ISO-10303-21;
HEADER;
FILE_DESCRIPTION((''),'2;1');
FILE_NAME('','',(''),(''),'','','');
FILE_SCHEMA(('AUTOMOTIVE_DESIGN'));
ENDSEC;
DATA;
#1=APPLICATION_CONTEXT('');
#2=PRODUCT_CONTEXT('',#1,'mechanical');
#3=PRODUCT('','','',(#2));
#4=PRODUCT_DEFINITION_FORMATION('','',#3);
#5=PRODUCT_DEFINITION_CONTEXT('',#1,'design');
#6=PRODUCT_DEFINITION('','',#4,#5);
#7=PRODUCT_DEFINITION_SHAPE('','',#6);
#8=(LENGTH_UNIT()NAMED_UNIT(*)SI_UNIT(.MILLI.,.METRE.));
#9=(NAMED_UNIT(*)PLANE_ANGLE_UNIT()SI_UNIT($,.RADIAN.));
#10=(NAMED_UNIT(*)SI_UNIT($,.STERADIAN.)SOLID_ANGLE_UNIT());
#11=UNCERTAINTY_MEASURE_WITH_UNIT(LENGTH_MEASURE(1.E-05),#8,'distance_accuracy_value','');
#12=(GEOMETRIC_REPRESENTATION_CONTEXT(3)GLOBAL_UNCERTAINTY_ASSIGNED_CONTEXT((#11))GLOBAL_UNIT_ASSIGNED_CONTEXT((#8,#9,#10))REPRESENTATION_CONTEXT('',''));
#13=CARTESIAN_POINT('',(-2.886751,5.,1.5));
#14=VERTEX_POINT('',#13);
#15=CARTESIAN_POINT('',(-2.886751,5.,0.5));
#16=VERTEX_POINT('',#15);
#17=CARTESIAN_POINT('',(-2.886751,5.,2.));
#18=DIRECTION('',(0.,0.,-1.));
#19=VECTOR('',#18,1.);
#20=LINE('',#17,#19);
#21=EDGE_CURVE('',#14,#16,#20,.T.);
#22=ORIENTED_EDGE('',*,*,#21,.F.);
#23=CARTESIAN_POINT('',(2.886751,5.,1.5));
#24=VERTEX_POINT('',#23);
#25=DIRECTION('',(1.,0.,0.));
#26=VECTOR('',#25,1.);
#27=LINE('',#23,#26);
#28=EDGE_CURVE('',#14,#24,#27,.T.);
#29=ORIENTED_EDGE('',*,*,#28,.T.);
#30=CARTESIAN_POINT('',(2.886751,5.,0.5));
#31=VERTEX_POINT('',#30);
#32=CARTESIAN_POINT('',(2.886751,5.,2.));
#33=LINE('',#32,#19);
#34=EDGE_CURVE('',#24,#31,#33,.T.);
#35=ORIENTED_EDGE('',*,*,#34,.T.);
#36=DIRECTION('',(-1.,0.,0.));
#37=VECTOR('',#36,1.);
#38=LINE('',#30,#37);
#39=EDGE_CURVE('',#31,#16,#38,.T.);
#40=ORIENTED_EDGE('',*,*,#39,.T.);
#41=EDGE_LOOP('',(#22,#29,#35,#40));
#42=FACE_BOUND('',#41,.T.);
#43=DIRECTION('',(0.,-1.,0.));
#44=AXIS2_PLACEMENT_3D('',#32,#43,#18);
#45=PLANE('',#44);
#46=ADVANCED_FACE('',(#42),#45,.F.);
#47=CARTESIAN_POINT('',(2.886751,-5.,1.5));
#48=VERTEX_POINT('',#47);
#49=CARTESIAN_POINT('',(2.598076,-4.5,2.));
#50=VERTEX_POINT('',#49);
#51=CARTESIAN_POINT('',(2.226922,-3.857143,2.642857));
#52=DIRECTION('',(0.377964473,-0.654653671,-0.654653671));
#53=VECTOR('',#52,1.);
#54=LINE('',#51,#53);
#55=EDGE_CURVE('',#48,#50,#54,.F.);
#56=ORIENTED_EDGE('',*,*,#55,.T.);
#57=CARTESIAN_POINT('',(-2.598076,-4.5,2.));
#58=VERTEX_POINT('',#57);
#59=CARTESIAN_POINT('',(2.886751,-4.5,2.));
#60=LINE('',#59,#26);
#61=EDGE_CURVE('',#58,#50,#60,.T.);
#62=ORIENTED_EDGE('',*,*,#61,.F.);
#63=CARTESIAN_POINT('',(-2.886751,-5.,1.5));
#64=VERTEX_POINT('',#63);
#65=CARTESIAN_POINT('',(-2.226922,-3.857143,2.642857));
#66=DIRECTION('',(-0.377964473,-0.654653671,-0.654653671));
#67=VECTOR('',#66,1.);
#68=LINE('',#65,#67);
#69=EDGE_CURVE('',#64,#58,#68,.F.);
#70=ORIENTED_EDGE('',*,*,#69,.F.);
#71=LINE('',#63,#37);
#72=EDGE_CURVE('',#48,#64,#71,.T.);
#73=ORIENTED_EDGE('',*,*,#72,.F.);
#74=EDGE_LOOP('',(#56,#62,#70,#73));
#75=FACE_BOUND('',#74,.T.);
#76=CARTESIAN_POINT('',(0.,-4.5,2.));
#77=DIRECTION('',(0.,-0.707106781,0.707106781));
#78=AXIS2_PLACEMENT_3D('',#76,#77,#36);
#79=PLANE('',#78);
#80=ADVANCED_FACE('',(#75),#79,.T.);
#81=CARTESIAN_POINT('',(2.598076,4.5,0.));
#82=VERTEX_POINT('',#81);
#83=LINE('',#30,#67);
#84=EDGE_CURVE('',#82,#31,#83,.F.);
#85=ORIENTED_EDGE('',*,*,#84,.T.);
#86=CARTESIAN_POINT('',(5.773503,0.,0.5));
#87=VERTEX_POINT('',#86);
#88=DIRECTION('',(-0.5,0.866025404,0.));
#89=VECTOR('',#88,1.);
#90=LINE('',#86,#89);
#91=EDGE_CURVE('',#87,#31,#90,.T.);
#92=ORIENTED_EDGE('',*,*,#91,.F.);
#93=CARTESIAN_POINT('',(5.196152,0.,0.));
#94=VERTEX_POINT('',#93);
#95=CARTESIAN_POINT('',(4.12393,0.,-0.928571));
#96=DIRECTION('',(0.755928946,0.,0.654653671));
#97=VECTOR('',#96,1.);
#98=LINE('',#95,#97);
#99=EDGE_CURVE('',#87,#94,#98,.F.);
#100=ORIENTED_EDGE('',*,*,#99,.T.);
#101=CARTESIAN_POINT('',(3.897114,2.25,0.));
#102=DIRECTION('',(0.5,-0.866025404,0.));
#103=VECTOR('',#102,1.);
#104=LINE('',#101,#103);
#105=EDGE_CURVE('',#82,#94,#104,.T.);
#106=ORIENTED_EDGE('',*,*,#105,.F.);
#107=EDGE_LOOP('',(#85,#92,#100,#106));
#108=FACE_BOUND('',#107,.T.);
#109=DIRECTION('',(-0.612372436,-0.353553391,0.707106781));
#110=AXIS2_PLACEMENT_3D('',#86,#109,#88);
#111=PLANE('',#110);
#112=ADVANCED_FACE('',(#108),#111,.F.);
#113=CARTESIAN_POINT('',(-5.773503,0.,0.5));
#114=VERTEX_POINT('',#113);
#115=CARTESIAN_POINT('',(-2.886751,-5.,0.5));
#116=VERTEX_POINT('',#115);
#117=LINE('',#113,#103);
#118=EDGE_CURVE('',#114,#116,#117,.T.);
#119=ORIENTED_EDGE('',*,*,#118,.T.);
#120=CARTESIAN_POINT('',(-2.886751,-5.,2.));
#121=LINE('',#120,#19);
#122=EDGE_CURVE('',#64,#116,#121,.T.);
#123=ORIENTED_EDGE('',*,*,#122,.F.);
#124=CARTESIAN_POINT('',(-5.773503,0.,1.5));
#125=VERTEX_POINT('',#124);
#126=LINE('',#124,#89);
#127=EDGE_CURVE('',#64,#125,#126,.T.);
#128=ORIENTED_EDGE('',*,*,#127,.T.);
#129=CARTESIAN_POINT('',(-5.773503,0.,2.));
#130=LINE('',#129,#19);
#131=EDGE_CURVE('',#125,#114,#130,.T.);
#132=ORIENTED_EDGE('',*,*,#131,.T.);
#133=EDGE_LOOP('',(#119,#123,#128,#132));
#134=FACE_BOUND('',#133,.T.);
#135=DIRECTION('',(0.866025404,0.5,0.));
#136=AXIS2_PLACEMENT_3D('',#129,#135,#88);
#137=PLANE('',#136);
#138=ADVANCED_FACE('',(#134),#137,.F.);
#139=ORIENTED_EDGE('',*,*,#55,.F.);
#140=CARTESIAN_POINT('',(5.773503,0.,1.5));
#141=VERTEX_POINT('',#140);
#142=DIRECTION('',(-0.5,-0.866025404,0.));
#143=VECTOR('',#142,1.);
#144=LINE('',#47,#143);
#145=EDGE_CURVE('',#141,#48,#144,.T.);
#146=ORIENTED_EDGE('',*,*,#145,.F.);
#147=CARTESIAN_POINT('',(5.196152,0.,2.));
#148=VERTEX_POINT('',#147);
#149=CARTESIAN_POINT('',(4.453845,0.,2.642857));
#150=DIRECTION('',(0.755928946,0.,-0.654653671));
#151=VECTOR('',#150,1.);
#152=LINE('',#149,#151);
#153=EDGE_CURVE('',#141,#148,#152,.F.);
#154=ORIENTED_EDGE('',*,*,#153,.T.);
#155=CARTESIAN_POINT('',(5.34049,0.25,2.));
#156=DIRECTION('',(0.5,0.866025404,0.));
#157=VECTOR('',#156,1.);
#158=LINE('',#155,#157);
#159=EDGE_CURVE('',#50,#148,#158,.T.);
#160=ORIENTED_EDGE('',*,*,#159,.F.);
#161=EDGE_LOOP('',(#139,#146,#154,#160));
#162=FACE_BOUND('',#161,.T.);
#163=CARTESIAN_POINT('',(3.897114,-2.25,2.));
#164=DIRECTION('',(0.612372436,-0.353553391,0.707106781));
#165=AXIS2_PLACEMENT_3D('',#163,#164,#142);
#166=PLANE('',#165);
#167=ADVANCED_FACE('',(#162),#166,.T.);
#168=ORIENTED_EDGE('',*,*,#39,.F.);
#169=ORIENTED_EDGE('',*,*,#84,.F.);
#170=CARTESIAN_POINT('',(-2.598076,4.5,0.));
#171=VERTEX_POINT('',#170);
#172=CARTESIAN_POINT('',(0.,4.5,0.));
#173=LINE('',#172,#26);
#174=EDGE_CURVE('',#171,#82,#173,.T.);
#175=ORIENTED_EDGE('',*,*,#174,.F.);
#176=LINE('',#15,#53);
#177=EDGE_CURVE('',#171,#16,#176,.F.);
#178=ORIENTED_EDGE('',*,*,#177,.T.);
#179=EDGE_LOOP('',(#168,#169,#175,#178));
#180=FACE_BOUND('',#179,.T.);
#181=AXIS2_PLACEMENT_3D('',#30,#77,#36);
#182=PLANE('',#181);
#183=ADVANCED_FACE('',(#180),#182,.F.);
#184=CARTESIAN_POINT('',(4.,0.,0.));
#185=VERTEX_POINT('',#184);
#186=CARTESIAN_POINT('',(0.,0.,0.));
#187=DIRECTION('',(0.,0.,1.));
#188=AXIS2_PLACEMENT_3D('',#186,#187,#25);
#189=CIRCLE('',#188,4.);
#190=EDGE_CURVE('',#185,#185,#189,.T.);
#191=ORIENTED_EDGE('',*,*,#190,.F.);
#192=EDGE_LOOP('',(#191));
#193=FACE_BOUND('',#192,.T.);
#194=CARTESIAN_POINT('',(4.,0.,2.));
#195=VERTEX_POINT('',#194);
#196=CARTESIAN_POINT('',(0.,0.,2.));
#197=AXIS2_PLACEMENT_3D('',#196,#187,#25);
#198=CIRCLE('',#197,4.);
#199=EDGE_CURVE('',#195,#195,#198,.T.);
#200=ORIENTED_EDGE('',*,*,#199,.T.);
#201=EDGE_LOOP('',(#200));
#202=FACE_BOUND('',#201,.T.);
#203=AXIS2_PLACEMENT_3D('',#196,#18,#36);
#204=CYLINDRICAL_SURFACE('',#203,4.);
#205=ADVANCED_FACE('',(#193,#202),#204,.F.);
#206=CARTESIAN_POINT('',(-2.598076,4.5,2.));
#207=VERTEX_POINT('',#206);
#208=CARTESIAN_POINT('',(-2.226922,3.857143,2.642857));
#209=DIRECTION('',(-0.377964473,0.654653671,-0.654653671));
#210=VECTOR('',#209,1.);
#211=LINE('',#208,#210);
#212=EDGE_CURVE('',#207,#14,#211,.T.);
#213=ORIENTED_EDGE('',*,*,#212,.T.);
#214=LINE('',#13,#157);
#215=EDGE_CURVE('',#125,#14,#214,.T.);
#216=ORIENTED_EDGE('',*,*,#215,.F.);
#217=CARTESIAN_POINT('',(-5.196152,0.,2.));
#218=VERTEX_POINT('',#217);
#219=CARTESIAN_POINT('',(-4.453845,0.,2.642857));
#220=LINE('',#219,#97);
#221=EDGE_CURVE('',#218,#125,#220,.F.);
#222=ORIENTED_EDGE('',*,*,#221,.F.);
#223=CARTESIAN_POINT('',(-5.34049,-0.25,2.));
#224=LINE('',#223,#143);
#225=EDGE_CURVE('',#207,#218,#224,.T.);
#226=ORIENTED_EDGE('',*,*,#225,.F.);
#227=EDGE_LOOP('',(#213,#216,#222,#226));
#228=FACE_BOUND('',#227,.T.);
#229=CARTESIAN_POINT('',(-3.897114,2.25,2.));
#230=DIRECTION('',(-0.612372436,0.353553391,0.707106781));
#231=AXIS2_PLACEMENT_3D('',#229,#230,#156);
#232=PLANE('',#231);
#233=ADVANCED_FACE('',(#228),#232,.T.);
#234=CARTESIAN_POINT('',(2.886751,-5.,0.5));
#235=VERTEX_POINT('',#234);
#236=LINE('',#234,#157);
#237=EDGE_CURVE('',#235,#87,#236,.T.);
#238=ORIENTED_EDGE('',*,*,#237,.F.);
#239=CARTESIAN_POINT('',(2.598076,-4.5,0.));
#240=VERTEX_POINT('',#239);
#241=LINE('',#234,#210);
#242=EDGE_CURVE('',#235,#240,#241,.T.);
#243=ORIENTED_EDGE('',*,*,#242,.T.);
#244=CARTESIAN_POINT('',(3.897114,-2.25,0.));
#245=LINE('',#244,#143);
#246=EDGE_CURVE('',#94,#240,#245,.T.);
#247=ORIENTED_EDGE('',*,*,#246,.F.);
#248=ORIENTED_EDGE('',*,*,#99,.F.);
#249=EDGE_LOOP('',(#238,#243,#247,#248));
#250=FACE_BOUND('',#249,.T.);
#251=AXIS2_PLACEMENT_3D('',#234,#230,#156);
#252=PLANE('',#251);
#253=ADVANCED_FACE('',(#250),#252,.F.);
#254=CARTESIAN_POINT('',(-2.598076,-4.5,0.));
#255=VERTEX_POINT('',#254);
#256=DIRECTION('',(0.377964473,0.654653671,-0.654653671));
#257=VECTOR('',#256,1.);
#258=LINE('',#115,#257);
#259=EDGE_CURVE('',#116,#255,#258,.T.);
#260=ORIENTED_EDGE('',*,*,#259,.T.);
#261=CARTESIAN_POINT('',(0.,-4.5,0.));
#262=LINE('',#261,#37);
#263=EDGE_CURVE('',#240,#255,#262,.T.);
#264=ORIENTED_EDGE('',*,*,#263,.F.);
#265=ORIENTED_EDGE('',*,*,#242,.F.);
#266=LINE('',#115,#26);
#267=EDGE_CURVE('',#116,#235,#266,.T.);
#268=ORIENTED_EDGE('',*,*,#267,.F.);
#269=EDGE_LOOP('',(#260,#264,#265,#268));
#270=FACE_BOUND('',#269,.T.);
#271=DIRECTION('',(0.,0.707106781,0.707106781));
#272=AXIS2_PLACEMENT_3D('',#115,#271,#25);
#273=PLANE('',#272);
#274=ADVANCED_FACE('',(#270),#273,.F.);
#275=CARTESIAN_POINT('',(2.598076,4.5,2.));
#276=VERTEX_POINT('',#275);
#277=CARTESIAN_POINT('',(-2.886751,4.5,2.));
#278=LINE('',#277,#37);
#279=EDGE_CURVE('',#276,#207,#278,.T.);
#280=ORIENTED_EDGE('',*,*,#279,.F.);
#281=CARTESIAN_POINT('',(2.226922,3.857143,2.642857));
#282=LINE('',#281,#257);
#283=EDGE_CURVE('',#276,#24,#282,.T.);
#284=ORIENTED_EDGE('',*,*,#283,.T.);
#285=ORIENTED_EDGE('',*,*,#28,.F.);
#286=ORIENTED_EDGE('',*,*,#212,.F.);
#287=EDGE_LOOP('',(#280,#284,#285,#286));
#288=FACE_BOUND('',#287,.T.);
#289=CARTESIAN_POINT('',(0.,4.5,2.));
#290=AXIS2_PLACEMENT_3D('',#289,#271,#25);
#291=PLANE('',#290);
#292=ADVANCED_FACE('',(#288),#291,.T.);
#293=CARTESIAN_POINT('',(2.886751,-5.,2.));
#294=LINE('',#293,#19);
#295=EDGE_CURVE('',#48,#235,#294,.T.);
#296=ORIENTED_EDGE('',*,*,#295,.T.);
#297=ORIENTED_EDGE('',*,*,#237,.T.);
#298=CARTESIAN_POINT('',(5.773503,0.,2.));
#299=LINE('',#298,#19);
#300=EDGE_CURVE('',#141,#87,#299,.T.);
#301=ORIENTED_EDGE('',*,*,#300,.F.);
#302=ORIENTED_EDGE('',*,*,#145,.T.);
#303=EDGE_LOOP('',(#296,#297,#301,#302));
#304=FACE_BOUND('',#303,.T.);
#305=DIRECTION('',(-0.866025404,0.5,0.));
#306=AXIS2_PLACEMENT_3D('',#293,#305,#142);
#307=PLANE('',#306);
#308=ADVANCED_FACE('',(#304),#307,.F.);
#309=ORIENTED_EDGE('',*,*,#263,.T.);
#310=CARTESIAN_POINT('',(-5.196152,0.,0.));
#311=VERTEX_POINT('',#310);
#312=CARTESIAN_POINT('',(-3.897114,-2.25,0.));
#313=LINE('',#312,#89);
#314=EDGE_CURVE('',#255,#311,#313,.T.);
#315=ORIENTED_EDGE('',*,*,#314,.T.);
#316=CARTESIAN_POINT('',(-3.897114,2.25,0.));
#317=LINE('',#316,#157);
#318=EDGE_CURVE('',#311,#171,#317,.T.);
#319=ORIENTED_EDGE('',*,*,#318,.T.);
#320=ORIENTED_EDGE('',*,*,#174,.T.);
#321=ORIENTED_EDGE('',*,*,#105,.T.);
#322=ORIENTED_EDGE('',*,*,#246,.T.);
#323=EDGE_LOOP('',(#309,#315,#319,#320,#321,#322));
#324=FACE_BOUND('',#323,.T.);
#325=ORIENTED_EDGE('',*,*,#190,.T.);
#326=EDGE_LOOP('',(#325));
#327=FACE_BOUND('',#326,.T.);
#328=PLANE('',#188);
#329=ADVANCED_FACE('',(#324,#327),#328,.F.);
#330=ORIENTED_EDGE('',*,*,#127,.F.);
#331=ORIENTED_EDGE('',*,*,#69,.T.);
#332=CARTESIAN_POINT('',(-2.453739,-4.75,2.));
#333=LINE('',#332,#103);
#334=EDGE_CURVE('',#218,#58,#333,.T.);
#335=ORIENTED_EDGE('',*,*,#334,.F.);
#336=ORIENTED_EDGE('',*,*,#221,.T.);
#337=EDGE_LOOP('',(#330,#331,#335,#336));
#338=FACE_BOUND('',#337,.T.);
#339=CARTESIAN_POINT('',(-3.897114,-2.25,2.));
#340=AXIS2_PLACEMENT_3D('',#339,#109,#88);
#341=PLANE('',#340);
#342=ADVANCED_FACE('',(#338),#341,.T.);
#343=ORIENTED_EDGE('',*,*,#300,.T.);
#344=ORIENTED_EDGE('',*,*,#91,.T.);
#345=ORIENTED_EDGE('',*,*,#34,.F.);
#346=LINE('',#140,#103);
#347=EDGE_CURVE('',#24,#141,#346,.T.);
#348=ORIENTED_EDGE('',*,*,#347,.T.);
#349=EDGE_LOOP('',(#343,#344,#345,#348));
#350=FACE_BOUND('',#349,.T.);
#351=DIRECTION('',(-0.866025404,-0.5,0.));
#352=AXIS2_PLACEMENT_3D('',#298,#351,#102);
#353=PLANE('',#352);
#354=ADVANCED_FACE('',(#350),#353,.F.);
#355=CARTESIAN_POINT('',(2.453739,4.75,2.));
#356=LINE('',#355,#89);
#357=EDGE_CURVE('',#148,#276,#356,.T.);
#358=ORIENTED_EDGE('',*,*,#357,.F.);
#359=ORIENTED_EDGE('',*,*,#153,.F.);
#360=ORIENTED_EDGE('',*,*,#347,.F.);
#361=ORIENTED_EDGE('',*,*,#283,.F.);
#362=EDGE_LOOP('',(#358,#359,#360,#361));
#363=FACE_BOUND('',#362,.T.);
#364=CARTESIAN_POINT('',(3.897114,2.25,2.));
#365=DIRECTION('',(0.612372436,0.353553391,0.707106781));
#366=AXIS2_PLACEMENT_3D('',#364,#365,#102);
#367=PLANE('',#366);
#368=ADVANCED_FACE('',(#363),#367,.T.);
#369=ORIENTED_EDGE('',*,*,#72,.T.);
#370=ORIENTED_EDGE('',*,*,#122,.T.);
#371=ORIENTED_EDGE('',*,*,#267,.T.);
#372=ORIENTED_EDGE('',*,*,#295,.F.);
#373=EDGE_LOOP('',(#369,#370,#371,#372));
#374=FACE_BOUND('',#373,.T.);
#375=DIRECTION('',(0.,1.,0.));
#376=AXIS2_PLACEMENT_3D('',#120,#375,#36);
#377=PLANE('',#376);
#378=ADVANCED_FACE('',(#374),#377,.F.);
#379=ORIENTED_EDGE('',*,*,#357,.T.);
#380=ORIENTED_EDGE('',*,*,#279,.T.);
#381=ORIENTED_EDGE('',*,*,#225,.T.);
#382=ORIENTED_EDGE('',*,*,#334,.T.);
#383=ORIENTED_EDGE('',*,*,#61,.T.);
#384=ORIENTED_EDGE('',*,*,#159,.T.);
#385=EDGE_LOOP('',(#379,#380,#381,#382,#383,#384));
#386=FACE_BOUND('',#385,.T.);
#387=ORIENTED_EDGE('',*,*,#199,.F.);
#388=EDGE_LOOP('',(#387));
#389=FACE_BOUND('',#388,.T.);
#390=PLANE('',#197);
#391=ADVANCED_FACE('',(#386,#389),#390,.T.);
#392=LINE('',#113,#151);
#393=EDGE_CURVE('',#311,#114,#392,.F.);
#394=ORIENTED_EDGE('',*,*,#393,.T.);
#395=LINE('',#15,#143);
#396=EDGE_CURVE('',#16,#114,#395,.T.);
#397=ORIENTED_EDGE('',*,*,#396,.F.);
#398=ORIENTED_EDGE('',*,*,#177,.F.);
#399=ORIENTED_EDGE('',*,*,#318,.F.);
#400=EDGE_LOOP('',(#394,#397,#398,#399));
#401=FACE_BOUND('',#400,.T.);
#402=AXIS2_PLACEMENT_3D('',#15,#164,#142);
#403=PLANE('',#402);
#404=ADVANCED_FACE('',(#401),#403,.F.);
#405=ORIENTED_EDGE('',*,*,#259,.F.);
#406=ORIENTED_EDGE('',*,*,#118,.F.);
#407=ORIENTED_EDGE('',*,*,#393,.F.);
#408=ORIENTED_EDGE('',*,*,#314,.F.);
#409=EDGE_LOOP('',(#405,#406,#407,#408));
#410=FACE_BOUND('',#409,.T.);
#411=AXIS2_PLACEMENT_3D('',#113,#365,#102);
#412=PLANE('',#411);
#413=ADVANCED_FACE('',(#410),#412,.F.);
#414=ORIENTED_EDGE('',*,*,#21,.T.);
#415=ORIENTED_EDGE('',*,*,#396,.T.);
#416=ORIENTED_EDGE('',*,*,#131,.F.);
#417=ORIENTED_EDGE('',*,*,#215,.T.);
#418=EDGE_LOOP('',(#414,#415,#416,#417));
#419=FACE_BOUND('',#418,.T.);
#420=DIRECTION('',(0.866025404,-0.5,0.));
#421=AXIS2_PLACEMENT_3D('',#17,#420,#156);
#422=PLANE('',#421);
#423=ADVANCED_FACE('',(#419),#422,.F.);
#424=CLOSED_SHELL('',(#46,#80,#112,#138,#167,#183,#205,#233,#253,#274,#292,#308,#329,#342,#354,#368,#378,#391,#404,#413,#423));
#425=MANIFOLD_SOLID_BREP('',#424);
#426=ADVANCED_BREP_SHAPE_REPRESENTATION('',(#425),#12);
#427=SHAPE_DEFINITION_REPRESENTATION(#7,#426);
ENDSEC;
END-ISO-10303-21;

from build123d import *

# Parameters (mm, degrees)
SKETCH1_R           = 4
BOSS_EXTRUDE1_DEPTH = 2
CHAMFER1_SIZE       = 0.5


with BuildPart() as part:
    # Sketch1 → Boss-Extrude1 (new body)
    with BuildSketch(Plane.XY):
        Polygon((2.886751346, 5), (-2.886751346, 5), (-5.773502692, 0), (-2.886751346, -5), (2.886751346, -5), (5.773502692, 0), align=None)
        Circle(SKETCH1_R, mode=Mode.SUBTRACT)
    extrude(amount=BOSS_EXTRUDE1_DEPTH)

    # Chamfer1
    chamfer1_edges = [part.edges().sort_by_distance(p)[0] for p in [
        (-4.330127019, 2.5, 2),
        (-4.330127019, -2.5, 2),
        (0, -5, 2),
        (4.330127019, -2.5, 2),
        (4.330127019, 2.5, 2),
        (4.330127019, -2.5, 0),
        (0, -5, 0),
        (-4.330127019, -2.5, 0),
        (-4.330127019, 2.5, 0),
        (0, 5, 0),
        (4.330127019, 2.5, 0),
        (0, 5, 2),
    ]]
    chamfer(chamfer1_edges, length=CHAMFER1_SIZE)


solid = part.part
